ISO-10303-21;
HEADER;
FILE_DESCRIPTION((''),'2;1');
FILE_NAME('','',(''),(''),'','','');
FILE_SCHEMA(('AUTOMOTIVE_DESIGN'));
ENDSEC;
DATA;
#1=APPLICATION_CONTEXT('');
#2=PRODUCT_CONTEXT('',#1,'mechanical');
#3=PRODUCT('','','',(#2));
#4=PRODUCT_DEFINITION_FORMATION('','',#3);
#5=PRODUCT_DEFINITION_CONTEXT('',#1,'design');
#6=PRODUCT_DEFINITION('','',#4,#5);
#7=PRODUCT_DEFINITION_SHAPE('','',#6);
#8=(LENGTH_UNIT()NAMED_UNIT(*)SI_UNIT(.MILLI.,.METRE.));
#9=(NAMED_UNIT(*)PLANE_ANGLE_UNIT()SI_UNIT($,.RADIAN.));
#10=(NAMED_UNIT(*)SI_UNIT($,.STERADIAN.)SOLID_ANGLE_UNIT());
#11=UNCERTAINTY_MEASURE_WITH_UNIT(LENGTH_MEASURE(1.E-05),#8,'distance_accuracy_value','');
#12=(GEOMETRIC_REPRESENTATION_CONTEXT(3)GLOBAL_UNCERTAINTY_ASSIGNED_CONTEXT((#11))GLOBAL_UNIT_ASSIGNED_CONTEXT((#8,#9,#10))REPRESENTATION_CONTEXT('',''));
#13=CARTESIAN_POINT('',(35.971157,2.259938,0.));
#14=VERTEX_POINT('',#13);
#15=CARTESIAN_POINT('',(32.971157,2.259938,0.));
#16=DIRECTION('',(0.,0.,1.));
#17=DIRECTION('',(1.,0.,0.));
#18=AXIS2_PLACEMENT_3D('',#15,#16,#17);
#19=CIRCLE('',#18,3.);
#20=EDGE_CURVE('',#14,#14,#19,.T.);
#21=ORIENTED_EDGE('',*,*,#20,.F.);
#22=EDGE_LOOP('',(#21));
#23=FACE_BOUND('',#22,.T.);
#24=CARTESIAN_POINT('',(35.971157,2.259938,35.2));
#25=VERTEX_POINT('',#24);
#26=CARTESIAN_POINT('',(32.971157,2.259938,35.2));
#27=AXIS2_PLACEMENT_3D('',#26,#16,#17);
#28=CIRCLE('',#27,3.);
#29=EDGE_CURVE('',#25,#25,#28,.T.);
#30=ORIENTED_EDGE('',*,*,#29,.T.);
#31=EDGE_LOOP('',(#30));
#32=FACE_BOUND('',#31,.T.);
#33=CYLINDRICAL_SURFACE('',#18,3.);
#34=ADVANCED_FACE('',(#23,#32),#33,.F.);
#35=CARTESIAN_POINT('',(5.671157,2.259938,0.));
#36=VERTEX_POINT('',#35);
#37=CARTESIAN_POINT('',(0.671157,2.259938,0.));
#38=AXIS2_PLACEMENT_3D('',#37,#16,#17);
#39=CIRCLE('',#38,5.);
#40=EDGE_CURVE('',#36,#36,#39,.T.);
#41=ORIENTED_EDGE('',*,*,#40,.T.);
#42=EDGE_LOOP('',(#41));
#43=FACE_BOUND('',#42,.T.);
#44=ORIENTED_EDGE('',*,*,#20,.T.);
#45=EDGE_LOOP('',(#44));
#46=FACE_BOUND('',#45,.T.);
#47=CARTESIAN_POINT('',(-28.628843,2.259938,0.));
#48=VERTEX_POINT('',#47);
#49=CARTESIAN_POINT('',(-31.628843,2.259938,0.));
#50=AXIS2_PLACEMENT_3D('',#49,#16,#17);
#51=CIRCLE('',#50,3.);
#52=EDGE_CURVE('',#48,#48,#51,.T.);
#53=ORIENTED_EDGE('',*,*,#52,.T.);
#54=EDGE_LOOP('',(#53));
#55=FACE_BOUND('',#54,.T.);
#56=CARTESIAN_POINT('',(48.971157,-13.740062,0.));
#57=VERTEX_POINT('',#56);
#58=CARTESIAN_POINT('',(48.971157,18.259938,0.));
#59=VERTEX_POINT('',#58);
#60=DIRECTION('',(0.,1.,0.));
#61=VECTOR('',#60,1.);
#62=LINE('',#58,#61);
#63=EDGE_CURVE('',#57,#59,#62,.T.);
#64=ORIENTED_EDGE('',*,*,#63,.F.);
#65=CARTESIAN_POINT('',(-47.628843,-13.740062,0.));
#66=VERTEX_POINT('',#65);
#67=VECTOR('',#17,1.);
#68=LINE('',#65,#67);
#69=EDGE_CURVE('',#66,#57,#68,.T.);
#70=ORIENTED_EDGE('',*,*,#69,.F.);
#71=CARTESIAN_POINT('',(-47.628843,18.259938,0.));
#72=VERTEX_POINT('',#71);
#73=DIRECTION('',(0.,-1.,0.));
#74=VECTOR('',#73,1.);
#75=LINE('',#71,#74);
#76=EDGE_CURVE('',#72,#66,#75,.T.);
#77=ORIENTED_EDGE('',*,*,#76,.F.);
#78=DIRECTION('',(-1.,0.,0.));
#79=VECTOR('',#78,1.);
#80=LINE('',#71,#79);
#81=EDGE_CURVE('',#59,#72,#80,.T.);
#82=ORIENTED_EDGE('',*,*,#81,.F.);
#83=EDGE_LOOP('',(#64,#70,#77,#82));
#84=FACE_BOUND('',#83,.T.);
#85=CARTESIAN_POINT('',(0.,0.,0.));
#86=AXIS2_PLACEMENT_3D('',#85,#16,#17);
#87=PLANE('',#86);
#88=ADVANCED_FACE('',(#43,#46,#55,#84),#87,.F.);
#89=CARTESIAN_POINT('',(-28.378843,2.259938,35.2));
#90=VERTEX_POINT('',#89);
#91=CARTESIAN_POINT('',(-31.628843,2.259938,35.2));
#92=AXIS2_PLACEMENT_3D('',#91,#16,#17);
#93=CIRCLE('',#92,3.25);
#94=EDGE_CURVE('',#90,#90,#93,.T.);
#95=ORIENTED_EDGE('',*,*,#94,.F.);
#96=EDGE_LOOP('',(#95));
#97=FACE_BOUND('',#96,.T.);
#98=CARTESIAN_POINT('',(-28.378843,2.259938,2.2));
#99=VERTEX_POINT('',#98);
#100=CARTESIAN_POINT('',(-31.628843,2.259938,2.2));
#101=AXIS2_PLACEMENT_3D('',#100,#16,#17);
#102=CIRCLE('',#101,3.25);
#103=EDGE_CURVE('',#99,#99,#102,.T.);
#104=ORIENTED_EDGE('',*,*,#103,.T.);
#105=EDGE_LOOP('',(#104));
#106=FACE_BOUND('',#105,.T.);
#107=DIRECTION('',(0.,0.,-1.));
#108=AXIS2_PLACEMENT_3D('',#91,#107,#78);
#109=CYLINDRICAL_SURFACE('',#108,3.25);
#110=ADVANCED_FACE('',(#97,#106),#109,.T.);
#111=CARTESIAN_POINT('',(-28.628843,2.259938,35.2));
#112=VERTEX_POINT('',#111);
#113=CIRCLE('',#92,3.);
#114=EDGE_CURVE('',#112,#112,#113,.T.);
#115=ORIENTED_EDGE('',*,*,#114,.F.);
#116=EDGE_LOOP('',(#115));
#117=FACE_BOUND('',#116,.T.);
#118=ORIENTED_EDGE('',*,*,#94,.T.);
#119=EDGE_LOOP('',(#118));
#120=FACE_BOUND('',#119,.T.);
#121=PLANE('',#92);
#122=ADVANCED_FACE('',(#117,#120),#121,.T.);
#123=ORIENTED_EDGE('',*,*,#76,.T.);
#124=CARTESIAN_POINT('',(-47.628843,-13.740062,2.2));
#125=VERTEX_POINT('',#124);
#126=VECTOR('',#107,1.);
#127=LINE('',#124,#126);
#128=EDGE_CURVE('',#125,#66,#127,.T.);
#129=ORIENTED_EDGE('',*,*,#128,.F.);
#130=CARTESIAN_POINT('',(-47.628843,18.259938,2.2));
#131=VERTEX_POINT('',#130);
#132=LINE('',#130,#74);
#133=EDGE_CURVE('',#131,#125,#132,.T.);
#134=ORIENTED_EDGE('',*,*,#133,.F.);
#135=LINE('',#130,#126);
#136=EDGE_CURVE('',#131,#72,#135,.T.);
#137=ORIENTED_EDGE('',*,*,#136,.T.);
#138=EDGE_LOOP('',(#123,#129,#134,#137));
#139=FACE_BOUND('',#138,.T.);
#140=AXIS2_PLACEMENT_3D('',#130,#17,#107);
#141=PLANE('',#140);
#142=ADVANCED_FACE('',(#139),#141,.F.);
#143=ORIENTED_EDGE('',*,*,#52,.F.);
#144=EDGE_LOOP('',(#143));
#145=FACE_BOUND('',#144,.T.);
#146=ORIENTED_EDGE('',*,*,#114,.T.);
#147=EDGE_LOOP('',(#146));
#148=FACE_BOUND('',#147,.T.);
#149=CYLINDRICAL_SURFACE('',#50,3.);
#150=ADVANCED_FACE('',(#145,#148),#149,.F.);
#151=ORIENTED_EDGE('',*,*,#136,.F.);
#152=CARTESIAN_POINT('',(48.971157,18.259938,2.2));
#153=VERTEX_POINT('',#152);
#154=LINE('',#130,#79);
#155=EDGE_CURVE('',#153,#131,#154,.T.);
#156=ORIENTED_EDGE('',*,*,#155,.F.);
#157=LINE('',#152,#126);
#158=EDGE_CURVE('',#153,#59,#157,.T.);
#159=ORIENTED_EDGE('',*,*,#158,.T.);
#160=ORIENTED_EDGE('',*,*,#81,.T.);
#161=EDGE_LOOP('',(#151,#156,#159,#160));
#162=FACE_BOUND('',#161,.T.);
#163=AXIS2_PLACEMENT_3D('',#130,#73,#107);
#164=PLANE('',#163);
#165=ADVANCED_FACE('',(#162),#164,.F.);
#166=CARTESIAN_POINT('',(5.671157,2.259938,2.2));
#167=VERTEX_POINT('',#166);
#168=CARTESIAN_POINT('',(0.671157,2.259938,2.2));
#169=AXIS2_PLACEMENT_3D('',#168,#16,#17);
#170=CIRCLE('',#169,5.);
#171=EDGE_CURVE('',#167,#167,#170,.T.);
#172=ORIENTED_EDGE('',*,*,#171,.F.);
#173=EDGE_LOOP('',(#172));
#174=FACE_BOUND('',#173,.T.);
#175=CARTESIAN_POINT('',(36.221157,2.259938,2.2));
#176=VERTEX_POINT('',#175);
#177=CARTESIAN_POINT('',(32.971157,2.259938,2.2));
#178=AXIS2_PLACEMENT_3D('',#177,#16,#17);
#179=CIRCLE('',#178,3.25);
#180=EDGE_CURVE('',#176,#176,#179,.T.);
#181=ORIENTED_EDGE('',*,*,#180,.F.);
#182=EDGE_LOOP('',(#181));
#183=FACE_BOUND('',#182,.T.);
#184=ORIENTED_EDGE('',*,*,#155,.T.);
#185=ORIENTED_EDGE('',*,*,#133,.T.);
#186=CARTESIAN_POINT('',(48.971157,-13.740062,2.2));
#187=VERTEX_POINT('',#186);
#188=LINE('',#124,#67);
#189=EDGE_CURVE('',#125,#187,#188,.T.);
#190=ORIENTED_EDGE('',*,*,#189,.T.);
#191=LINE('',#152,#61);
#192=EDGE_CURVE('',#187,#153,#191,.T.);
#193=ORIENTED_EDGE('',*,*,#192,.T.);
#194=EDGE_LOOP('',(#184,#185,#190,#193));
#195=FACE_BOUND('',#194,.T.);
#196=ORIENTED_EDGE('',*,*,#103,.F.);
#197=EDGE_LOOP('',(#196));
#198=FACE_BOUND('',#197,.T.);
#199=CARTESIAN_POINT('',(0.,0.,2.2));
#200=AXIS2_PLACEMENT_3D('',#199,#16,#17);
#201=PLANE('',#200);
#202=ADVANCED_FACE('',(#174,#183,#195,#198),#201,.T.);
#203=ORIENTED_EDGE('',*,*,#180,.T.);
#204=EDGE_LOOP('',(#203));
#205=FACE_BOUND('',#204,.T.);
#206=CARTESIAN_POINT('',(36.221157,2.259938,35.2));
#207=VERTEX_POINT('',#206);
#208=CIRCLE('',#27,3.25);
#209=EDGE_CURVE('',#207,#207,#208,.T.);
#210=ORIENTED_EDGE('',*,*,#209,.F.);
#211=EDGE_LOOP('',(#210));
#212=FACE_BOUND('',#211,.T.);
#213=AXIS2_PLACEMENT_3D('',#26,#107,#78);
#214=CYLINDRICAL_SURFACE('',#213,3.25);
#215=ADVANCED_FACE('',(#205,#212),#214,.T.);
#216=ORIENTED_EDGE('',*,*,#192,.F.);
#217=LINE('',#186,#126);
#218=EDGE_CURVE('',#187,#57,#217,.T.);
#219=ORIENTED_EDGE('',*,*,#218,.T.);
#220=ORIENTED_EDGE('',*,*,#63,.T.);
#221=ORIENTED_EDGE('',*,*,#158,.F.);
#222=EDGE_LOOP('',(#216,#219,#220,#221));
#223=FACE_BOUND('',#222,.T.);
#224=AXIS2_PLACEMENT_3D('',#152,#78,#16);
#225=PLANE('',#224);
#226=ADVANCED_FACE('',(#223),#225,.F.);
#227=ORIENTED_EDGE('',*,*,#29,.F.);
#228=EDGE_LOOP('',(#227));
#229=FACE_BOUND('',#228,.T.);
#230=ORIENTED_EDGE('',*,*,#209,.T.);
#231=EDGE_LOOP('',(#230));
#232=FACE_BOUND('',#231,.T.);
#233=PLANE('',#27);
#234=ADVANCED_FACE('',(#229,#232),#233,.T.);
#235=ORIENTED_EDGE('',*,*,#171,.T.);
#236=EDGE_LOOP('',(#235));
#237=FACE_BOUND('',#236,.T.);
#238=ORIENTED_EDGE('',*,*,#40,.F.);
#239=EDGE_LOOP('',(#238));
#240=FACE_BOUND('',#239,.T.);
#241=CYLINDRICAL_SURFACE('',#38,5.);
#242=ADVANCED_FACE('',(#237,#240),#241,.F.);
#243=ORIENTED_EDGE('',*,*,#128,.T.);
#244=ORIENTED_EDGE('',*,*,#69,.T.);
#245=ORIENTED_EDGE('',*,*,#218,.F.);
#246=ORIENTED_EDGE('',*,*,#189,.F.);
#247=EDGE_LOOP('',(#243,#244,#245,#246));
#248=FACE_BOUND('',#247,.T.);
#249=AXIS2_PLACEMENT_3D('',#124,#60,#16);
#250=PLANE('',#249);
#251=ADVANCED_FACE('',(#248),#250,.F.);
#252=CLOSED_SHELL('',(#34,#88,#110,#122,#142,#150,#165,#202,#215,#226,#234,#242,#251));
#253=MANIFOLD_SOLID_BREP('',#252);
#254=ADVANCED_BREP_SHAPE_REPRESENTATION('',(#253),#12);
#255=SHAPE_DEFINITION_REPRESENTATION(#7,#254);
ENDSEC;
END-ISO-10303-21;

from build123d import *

# Parameters (mm, degrees)
ESQUISSE1_W             = 96.6
ESQUISSE1_H             = 32
BOSS_EXTRU_1_DEPTH      = 2.2
ESQUISSE6_R             = 3.25
BOSS_EXTRU_2_DEPTH      = 33
ESQUISSE7_R             = 3
ESQUISSE7_R_2           = 5
ENL_V_MAT_EXTRU_1_DEPTH = 64.013010851


with BuildPart() as part:
    # Esquisse1 → Boss.-Extru.1 (new body)
    with BuildSketch(Plane.XY):
        with Locations((0.671156739, 2.259938231)):
            Rectangle(ESQUISSE1_W, ESQUISSE1_H)
    extrude(amount=BOSS_EXTRU_1_DEPTH)

    # Esquisse6 → Boss.-Extru.2 (add)
    with BuildSketch(Plane.XY.offset(2.2)):
        with Locations((-31.628843261, 2.259938231)):
            Circle(ESQUISSE6_R)
        with Locations((32.971156739, 2.259938231)):
            Circle(ESQUISSE6_R)
    extrude(amount=BOSS_EXTRU_2_DEPTH)

    # Esquisse7 → Enlèv. mat.-Extru.1 (cut, through all)
    with BuildSketch(Plane.XY.offset(35.2)):
        with Locations((-31.628843261, 2.259938231)):
            Circle(ESQUISSE7_R)
        with Locations((32.971156739, 2.259938231)):
            Circle(ESQUISSE7_R)
        with Locations((0.671156739, 2.259938231)):
            Circle(ESQUISSE7_R_2)
    extrude(amount=-ENL_V_MAT_EXTRU_1_DEPTH, mode=Mode.SUBTRACT)


solid = part.part
